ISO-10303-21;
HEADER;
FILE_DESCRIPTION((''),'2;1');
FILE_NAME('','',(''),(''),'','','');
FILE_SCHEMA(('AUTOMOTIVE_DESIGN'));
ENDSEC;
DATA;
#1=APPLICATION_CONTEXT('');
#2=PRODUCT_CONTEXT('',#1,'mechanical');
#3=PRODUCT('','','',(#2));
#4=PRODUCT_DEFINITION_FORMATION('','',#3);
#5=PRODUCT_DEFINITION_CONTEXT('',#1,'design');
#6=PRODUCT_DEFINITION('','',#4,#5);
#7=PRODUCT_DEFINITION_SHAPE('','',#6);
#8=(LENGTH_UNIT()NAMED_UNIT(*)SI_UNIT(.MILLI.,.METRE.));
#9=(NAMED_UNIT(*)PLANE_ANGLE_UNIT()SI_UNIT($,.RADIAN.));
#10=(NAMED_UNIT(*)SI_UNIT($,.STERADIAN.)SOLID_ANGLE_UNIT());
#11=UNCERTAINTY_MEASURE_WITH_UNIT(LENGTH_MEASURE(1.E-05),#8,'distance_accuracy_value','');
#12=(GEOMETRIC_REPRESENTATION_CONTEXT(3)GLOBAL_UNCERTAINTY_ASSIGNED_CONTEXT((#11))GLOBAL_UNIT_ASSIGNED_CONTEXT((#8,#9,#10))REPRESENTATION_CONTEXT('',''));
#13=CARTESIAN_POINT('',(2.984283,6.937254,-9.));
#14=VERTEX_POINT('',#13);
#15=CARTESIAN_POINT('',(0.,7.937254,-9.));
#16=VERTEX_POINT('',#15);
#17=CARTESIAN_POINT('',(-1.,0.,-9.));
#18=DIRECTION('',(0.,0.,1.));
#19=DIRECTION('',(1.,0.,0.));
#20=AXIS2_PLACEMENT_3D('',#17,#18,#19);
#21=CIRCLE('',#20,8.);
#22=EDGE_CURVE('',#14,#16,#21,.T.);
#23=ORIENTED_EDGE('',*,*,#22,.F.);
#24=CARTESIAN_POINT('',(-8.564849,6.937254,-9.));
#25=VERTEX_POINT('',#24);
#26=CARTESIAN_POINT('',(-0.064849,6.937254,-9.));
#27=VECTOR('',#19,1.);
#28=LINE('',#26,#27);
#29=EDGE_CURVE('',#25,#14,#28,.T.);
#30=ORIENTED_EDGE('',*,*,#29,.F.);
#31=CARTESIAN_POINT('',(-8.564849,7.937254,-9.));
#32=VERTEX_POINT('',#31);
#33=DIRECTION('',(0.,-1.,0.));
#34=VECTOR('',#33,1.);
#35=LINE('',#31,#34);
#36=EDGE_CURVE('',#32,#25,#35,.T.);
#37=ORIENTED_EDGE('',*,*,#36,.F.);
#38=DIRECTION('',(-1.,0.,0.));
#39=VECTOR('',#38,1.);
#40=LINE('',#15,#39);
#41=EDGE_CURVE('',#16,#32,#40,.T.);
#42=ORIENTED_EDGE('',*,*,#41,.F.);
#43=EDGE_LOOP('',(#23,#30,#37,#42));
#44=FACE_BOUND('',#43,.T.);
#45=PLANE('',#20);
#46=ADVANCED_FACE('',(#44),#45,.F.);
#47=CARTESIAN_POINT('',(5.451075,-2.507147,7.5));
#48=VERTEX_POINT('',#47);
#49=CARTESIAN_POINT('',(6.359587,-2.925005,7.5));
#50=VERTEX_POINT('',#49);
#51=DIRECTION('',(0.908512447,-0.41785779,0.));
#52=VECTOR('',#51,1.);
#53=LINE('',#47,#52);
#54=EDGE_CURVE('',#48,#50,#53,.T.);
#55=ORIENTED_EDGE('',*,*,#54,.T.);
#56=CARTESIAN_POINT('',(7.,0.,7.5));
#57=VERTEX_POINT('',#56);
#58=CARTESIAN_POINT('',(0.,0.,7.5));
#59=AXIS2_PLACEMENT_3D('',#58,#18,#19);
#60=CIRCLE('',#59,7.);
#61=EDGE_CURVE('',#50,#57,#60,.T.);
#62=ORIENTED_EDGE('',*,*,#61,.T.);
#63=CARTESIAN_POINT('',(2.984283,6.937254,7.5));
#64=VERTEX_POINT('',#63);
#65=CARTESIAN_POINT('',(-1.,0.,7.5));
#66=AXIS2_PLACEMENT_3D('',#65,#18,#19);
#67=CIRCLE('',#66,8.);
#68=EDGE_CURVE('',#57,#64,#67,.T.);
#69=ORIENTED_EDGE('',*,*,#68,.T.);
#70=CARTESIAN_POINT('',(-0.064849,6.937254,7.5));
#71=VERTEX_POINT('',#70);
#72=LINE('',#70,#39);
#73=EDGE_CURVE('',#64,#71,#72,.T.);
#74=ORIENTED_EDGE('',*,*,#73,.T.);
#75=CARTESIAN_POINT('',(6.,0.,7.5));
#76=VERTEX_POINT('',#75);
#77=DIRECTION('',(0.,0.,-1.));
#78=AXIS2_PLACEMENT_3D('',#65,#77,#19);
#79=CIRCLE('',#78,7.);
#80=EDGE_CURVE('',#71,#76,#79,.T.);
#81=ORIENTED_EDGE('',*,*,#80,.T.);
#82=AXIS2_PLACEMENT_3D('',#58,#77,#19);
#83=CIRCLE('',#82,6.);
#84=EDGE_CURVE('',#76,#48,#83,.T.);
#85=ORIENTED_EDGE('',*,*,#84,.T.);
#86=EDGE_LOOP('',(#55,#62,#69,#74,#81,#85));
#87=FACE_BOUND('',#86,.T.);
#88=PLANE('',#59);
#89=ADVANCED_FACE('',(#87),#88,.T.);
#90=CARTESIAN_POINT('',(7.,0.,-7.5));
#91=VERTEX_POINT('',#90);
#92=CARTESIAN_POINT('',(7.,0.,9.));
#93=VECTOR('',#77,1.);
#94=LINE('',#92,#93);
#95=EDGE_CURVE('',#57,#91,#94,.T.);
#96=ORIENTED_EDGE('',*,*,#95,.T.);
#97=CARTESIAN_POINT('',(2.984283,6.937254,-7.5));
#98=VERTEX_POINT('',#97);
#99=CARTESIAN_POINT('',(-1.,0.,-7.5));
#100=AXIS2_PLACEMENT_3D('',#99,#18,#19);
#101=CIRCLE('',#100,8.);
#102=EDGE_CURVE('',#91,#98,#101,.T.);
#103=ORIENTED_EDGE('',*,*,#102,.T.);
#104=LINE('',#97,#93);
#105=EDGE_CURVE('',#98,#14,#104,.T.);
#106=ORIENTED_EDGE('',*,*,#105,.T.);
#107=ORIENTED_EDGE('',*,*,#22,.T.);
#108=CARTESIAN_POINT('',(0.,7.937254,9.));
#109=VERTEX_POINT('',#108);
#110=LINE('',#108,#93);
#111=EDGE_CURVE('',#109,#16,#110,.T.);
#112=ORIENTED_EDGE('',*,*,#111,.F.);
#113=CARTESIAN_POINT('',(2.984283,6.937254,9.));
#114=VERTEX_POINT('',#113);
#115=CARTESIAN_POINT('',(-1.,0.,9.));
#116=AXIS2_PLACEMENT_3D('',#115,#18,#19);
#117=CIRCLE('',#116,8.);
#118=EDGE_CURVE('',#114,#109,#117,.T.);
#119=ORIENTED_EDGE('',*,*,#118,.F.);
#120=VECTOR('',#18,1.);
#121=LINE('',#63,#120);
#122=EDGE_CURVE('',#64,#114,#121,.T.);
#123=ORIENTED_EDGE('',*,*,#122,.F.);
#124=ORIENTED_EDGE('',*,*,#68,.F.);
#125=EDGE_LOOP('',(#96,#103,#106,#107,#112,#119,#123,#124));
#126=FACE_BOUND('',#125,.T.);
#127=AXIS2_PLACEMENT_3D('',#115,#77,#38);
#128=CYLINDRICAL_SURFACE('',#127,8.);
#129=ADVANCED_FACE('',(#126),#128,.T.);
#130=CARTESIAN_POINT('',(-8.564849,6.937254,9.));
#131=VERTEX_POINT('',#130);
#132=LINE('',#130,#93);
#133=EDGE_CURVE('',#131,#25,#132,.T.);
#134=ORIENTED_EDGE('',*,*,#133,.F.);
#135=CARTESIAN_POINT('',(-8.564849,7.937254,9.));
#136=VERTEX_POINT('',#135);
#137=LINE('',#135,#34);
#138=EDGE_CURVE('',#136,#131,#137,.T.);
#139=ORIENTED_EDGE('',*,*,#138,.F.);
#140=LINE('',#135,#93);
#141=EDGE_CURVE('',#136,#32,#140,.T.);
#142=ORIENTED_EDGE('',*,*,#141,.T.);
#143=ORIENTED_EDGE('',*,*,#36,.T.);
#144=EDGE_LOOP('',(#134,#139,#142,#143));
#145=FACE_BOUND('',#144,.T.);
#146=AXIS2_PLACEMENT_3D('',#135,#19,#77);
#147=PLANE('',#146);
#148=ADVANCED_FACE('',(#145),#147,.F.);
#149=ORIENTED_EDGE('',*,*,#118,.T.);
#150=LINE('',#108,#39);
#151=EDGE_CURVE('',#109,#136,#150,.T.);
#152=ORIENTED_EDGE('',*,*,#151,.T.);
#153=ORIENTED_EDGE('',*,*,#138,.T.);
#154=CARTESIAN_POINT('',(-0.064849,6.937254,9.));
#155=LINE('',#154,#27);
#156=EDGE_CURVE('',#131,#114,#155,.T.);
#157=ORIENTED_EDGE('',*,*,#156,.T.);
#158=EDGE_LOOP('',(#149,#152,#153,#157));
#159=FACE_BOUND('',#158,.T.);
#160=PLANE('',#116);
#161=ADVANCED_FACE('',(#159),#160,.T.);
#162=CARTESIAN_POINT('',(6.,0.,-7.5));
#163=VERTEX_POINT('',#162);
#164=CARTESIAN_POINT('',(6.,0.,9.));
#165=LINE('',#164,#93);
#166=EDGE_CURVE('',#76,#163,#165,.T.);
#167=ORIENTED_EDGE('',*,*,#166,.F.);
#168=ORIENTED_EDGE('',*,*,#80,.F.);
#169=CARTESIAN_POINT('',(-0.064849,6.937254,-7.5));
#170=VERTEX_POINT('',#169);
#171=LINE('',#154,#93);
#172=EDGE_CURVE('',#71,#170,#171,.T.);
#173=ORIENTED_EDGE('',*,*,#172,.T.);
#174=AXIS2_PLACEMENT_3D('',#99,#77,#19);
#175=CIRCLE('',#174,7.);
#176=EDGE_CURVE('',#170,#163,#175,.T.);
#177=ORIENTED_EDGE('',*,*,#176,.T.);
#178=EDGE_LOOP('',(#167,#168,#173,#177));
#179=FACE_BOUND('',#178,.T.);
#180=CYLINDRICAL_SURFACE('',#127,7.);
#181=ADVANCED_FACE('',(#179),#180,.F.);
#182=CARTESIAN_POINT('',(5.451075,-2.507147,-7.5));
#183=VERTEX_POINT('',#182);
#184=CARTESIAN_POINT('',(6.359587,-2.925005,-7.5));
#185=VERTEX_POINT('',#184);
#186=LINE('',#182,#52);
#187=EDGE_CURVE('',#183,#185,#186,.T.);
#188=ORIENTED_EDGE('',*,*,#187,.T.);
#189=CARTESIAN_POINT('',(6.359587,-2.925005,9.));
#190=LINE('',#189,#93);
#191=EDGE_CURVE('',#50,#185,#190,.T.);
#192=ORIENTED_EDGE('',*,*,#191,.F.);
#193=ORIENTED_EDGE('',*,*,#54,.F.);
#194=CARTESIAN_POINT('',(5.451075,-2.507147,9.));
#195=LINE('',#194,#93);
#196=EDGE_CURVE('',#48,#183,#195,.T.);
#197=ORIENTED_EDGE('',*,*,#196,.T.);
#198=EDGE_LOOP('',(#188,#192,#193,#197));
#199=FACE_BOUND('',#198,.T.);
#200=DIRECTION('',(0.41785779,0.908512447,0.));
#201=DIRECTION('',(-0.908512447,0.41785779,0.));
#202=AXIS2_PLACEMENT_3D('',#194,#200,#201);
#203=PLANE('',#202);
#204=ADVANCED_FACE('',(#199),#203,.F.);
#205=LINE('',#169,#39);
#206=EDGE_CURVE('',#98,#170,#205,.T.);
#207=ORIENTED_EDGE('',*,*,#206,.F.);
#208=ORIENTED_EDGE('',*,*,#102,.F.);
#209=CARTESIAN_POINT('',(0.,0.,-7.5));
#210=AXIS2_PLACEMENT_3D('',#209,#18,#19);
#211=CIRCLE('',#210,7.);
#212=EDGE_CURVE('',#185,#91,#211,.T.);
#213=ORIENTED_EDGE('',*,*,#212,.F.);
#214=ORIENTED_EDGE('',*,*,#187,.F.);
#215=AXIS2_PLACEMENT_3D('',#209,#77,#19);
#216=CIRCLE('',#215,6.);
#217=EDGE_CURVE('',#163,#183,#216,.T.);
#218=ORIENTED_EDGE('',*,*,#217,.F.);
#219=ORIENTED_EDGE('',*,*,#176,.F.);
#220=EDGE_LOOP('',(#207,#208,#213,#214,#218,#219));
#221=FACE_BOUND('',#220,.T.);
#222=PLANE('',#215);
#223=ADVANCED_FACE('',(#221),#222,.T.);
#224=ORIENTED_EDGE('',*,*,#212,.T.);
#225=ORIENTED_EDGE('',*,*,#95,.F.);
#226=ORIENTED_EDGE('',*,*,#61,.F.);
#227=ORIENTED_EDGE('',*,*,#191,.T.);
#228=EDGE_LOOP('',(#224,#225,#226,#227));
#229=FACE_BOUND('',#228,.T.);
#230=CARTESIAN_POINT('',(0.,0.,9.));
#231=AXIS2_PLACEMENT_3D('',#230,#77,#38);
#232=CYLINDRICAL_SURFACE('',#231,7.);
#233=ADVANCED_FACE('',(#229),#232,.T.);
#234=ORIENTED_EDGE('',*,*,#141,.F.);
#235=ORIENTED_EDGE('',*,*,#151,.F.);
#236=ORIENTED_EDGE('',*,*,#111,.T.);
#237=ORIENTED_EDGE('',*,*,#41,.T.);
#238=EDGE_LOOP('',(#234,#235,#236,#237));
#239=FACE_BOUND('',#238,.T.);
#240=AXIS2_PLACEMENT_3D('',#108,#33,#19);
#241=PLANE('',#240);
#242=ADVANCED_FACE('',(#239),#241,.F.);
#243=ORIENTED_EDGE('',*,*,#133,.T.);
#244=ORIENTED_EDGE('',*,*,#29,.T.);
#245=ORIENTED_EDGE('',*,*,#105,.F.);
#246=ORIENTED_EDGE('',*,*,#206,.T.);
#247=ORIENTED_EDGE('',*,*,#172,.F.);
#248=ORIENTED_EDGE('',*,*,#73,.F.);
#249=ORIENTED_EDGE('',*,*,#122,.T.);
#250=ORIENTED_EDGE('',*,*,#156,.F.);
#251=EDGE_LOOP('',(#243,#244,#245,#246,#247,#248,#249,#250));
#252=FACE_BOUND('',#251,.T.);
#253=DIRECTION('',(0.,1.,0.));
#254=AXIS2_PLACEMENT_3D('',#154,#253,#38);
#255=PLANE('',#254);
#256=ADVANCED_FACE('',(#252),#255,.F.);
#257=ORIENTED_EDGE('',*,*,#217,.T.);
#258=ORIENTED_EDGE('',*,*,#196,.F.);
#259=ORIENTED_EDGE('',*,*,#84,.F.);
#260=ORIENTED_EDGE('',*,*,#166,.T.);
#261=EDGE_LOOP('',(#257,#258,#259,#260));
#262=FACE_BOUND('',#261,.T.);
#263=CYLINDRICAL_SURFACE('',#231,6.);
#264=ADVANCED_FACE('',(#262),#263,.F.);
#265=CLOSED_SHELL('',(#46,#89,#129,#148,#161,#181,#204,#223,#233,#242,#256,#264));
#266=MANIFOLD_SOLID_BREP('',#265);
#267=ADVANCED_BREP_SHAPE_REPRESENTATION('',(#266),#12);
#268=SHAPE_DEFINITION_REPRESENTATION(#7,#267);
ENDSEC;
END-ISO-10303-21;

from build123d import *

# Parameters (mm, degrees)
BOSS_EXTRUDE1_DEPTH = 9
CUT_EXTRUDE1_DEPTH  = 1.5


with BuildPart() as part:
    # Sketch1 → Boss-Extrude1 (new, symmetric)
    with BuildSketch(Plane.XY):
        with BuildLine():
            Line((-0.064848747, 6.937253933), (-8.564848747, 6.937253933))
            Line((-8.564848747, 6.937253933), (-8.564848747, 7.937253933))
            Line((-8.564848747, 7.937253933), (0, 7.937253933))
            ThreePointArc((0, 7.937253933), (5, 5.291502622), (7, 0))
            ThreePointArc((7, 0), (6.838022738, -1.497145631), (6.359587132, -2.925004532))
            Line((6.359587132, -2.925004532), (5.451074684, -2.507146742))
            ThreePointArc((5.451074684, -2.507146742), (5.861162347, -1.283267683), (6, 0))
            ThreePointArc((6, 0), (4.270012276, 4.607273664), (-0.064848747, 6.937253933))
        make_face()
    extrude(amount=BOSS_EXTRUDE1_DEPTH, both=True)

    # Sketch2 → Cut-Extrude1 (cut)
    with BuildSketch(Plane.XY.offset(9)):
        with BuildLine():
            Line((5.451074684, -2.507146742), (6.359587132, -2.925004532))
            ThreePointArc((6.359587132, -2.925004532), (6.838022738, -1.497145631), (7, 0))
            ThreePointArc((7, 0), (5.923664522, 4.007850993), (2.984282604, 6.937253933))
            Line((2.984282604, 6.937253933), (-0.064848747, 6.937253933))
            ThreePointArc((-0.064848747, 6.937253933), (4.270012276, 4.607273664), (6, 0))
            ThreePointArc((6, 0), (5.861162347, -1.283267683), (5.451074684, -2.507146742))
        make_face()
    cut_extrude1 = extrude(amount=-CUT_EXTRUDE1_DEPTH, mode=Mode.SUBTRACT)

    # Mirror1: Cut-Extrude1 across plane
    add(cut_extrude1.mirror(Plane.XY), mode=Mode.SUBTRACT)


solid = part.part
